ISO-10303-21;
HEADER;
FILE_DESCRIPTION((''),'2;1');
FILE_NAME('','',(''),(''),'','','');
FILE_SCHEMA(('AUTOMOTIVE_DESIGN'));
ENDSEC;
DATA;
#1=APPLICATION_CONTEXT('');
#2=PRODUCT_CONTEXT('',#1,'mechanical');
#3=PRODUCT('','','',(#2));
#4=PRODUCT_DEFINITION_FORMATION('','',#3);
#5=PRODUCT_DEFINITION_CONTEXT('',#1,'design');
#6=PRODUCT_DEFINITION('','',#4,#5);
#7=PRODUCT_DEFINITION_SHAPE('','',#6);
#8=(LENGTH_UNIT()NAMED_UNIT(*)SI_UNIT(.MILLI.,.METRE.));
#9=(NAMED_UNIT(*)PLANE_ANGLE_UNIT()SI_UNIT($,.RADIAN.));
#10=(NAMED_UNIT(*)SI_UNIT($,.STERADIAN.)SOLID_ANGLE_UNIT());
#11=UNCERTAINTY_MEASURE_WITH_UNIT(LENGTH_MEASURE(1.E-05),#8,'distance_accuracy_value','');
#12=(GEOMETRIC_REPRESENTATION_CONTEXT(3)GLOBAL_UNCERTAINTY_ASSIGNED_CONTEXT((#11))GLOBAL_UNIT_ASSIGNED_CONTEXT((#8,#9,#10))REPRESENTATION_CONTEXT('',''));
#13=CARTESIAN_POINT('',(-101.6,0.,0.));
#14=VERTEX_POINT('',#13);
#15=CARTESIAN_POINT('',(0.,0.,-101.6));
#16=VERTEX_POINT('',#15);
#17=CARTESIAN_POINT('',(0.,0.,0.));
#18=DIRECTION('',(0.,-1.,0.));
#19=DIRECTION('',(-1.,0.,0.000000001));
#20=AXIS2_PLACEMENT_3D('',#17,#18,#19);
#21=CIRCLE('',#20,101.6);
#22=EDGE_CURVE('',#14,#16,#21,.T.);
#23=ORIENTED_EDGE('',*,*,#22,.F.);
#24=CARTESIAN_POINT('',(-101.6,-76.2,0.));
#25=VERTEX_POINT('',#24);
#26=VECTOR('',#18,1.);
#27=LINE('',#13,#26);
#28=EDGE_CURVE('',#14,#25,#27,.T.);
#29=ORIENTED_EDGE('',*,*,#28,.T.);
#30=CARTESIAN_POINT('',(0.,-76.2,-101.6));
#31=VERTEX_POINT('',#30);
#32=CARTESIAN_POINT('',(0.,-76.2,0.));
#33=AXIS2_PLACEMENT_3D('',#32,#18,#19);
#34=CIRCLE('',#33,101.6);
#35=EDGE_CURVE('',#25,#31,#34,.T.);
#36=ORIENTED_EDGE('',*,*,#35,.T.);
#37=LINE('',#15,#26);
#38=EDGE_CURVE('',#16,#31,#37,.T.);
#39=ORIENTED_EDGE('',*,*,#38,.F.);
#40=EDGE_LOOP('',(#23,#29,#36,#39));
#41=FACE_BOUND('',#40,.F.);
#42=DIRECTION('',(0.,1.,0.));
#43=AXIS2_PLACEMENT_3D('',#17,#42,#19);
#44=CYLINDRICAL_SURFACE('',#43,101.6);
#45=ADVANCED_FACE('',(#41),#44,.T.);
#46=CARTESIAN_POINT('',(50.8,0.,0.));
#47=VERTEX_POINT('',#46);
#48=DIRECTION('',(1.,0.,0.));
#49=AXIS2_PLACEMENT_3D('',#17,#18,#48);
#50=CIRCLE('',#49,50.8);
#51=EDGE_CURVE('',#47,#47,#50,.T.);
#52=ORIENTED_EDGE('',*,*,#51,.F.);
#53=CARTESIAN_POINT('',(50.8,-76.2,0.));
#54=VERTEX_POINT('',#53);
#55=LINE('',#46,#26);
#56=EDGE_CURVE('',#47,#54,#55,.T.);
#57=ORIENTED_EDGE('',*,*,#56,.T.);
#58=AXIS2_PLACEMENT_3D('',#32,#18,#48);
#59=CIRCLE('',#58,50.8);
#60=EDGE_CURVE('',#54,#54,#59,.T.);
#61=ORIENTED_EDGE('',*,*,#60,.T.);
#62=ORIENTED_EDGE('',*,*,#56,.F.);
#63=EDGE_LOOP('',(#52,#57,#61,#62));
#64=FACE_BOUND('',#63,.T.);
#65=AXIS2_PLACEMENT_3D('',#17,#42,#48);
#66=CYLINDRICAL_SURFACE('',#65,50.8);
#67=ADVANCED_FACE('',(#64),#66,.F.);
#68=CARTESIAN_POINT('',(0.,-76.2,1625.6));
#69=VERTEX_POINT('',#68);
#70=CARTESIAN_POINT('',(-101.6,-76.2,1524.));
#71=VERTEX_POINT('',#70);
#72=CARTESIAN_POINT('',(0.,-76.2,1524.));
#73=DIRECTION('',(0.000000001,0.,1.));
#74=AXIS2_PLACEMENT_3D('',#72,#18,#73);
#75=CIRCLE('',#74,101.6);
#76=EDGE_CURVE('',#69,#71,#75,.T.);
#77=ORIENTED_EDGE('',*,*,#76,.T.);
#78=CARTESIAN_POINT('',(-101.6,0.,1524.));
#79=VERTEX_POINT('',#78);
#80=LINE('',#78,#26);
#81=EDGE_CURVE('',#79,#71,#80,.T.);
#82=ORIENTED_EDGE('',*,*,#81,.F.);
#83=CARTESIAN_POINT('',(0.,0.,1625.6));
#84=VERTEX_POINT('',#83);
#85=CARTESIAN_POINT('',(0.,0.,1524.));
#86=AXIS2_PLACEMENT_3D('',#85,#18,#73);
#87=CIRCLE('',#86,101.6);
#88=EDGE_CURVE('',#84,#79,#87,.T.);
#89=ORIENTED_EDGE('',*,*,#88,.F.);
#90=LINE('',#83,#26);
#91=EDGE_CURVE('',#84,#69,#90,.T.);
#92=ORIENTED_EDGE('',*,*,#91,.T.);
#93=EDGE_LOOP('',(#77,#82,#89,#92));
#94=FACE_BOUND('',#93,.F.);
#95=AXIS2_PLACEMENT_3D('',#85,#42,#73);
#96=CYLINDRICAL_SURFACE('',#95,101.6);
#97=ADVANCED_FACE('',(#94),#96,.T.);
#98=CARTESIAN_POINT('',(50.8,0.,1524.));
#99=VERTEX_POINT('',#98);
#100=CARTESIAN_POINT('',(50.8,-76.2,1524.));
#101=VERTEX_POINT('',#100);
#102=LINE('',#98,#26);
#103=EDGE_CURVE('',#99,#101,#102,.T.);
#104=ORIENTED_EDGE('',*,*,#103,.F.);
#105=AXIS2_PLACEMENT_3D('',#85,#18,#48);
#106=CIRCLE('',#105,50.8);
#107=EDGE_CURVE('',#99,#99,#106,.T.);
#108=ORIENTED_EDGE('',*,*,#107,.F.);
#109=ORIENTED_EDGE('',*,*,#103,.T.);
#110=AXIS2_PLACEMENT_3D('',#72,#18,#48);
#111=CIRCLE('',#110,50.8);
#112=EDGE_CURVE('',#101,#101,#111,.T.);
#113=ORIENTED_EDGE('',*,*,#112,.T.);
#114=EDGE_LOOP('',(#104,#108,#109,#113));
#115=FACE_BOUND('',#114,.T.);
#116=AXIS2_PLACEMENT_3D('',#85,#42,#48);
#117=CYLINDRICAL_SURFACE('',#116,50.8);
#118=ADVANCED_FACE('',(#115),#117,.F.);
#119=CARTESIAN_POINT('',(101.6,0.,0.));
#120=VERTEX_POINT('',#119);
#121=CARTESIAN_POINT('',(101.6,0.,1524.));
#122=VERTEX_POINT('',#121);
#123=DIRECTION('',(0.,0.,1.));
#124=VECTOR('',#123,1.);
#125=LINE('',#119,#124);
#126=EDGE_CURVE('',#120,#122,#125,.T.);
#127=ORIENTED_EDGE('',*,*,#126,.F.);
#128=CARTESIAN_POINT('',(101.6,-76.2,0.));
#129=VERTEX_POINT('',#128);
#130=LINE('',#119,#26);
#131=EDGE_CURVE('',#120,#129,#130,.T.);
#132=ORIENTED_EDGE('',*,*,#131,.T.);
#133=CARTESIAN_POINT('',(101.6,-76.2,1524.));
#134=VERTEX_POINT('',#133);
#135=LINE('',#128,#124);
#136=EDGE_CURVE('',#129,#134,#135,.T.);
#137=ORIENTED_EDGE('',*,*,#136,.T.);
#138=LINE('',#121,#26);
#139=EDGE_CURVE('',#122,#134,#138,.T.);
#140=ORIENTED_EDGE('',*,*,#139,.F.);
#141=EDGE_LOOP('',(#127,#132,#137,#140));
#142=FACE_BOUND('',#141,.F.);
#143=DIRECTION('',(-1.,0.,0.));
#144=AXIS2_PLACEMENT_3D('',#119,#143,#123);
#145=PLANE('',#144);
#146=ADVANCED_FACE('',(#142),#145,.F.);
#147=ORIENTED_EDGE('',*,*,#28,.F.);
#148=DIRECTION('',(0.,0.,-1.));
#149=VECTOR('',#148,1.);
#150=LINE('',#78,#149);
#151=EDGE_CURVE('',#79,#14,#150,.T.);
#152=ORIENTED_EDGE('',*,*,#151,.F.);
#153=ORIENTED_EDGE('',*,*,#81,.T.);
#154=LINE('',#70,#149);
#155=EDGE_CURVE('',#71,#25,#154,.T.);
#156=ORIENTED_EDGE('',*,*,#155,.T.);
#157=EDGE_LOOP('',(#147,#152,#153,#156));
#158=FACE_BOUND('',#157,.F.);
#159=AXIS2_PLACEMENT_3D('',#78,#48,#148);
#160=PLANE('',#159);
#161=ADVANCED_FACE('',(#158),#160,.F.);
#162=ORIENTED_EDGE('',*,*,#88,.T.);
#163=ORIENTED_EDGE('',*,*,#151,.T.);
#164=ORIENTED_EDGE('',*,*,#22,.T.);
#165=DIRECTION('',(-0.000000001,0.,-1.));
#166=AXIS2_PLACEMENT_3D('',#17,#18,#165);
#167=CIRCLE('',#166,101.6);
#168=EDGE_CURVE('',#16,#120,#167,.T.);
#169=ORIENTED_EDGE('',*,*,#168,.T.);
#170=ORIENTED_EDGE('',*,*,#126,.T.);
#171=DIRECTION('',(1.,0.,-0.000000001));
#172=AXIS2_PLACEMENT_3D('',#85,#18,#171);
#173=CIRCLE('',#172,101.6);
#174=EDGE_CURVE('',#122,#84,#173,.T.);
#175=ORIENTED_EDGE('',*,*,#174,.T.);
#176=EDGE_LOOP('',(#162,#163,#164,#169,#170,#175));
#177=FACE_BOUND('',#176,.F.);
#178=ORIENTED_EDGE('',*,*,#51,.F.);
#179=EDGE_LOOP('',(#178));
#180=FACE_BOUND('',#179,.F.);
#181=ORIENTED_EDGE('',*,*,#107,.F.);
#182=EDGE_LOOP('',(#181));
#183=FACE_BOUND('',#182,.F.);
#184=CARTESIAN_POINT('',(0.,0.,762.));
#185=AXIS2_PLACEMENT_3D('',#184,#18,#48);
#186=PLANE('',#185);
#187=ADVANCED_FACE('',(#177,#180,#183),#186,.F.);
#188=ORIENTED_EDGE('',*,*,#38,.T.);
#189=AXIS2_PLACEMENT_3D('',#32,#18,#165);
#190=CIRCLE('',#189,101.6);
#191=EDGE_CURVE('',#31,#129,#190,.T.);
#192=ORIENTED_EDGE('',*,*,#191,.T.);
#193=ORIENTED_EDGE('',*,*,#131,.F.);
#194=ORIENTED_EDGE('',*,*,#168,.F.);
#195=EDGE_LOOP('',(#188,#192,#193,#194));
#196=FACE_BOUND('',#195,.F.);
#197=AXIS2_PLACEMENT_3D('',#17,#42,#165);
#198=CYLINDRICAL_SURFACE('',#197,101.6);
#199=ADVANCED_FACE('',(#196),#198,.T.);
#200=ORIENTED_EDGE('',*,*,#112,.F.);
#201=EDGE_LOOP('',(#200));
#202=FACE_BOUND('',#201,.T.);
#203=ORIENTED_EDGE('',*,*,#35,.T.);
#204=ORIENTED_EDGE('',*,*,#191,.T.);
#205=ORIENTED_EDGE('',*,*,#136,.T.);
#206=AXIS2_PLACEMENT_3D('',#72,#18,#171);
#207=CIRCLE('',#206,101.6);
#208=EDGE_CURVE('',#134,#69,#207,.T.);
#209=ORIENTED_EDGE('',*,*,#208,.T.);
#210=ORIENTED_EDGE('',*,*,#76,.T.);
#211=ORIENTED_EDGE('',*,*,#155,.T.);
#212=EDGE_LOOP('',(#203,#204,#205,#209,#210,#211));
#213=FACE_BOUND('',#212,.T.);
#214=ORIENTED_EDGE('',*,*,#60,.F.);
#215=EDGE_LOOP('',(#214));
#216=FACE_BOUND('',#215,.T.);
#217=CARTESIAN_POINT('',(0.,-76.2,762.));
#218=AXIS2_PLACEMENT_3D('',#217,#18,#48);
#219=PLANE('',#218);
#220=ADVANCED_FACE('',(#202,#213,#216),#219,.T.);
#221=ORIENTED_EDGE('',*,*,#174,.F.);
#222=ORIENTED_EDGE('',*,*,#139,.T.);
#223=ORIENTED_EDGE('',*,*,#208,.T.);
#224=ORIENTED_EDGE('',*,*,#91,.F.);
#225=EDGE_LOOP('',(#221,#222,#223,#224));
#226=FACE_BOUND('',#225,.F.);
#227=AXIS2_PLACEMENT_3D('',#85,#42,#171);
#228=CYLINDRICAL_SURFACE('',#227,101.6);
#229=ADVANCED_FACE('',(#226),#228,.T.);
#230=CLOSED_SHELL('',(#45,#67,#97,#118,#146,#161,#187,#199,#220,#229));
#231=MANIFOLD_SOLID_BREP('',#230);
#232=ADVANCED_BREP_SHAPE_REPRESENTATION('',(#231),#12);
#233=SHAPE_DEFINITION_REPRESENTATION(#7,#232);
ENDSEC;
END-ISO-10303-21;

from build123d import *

# Parameters (mm, degrees)
F0_R     = 50.8
F1_DEPTH = 76.2


with BuildPart() as f1:
    # F0 (on Front) → F1 (new body)
    with BuildSketch(Plane.XZ):
        with BuildLine():
            Line((-101.6, 1524), (-101.6, 0))
            ThreePointArc((-101.6, 0), (-71.842049, -71.842049), (0, -101.6))
            ThreePointArc((0, -101.6), (71.842049, -71.842049), (101.6, 0))
            Line((101.6, 0), (101.6, 1524))
            ThreePointArc((101.6, 1524), (71.842049, 1595.842049), (0, 1625.6))
            ThreePointArc((0, 1625.6), (-71.842049, 1595.842049), (-101.6, 1524))
        make_face()
        Circle(F0_R, mode=Mode.SUBTRACT)
        with Locations((0, 1524)):
            Circle(F0_R, mode=Mode.SUBTRACT)
    extrude(amount=F1_DEPTH)


solid = f1.part
